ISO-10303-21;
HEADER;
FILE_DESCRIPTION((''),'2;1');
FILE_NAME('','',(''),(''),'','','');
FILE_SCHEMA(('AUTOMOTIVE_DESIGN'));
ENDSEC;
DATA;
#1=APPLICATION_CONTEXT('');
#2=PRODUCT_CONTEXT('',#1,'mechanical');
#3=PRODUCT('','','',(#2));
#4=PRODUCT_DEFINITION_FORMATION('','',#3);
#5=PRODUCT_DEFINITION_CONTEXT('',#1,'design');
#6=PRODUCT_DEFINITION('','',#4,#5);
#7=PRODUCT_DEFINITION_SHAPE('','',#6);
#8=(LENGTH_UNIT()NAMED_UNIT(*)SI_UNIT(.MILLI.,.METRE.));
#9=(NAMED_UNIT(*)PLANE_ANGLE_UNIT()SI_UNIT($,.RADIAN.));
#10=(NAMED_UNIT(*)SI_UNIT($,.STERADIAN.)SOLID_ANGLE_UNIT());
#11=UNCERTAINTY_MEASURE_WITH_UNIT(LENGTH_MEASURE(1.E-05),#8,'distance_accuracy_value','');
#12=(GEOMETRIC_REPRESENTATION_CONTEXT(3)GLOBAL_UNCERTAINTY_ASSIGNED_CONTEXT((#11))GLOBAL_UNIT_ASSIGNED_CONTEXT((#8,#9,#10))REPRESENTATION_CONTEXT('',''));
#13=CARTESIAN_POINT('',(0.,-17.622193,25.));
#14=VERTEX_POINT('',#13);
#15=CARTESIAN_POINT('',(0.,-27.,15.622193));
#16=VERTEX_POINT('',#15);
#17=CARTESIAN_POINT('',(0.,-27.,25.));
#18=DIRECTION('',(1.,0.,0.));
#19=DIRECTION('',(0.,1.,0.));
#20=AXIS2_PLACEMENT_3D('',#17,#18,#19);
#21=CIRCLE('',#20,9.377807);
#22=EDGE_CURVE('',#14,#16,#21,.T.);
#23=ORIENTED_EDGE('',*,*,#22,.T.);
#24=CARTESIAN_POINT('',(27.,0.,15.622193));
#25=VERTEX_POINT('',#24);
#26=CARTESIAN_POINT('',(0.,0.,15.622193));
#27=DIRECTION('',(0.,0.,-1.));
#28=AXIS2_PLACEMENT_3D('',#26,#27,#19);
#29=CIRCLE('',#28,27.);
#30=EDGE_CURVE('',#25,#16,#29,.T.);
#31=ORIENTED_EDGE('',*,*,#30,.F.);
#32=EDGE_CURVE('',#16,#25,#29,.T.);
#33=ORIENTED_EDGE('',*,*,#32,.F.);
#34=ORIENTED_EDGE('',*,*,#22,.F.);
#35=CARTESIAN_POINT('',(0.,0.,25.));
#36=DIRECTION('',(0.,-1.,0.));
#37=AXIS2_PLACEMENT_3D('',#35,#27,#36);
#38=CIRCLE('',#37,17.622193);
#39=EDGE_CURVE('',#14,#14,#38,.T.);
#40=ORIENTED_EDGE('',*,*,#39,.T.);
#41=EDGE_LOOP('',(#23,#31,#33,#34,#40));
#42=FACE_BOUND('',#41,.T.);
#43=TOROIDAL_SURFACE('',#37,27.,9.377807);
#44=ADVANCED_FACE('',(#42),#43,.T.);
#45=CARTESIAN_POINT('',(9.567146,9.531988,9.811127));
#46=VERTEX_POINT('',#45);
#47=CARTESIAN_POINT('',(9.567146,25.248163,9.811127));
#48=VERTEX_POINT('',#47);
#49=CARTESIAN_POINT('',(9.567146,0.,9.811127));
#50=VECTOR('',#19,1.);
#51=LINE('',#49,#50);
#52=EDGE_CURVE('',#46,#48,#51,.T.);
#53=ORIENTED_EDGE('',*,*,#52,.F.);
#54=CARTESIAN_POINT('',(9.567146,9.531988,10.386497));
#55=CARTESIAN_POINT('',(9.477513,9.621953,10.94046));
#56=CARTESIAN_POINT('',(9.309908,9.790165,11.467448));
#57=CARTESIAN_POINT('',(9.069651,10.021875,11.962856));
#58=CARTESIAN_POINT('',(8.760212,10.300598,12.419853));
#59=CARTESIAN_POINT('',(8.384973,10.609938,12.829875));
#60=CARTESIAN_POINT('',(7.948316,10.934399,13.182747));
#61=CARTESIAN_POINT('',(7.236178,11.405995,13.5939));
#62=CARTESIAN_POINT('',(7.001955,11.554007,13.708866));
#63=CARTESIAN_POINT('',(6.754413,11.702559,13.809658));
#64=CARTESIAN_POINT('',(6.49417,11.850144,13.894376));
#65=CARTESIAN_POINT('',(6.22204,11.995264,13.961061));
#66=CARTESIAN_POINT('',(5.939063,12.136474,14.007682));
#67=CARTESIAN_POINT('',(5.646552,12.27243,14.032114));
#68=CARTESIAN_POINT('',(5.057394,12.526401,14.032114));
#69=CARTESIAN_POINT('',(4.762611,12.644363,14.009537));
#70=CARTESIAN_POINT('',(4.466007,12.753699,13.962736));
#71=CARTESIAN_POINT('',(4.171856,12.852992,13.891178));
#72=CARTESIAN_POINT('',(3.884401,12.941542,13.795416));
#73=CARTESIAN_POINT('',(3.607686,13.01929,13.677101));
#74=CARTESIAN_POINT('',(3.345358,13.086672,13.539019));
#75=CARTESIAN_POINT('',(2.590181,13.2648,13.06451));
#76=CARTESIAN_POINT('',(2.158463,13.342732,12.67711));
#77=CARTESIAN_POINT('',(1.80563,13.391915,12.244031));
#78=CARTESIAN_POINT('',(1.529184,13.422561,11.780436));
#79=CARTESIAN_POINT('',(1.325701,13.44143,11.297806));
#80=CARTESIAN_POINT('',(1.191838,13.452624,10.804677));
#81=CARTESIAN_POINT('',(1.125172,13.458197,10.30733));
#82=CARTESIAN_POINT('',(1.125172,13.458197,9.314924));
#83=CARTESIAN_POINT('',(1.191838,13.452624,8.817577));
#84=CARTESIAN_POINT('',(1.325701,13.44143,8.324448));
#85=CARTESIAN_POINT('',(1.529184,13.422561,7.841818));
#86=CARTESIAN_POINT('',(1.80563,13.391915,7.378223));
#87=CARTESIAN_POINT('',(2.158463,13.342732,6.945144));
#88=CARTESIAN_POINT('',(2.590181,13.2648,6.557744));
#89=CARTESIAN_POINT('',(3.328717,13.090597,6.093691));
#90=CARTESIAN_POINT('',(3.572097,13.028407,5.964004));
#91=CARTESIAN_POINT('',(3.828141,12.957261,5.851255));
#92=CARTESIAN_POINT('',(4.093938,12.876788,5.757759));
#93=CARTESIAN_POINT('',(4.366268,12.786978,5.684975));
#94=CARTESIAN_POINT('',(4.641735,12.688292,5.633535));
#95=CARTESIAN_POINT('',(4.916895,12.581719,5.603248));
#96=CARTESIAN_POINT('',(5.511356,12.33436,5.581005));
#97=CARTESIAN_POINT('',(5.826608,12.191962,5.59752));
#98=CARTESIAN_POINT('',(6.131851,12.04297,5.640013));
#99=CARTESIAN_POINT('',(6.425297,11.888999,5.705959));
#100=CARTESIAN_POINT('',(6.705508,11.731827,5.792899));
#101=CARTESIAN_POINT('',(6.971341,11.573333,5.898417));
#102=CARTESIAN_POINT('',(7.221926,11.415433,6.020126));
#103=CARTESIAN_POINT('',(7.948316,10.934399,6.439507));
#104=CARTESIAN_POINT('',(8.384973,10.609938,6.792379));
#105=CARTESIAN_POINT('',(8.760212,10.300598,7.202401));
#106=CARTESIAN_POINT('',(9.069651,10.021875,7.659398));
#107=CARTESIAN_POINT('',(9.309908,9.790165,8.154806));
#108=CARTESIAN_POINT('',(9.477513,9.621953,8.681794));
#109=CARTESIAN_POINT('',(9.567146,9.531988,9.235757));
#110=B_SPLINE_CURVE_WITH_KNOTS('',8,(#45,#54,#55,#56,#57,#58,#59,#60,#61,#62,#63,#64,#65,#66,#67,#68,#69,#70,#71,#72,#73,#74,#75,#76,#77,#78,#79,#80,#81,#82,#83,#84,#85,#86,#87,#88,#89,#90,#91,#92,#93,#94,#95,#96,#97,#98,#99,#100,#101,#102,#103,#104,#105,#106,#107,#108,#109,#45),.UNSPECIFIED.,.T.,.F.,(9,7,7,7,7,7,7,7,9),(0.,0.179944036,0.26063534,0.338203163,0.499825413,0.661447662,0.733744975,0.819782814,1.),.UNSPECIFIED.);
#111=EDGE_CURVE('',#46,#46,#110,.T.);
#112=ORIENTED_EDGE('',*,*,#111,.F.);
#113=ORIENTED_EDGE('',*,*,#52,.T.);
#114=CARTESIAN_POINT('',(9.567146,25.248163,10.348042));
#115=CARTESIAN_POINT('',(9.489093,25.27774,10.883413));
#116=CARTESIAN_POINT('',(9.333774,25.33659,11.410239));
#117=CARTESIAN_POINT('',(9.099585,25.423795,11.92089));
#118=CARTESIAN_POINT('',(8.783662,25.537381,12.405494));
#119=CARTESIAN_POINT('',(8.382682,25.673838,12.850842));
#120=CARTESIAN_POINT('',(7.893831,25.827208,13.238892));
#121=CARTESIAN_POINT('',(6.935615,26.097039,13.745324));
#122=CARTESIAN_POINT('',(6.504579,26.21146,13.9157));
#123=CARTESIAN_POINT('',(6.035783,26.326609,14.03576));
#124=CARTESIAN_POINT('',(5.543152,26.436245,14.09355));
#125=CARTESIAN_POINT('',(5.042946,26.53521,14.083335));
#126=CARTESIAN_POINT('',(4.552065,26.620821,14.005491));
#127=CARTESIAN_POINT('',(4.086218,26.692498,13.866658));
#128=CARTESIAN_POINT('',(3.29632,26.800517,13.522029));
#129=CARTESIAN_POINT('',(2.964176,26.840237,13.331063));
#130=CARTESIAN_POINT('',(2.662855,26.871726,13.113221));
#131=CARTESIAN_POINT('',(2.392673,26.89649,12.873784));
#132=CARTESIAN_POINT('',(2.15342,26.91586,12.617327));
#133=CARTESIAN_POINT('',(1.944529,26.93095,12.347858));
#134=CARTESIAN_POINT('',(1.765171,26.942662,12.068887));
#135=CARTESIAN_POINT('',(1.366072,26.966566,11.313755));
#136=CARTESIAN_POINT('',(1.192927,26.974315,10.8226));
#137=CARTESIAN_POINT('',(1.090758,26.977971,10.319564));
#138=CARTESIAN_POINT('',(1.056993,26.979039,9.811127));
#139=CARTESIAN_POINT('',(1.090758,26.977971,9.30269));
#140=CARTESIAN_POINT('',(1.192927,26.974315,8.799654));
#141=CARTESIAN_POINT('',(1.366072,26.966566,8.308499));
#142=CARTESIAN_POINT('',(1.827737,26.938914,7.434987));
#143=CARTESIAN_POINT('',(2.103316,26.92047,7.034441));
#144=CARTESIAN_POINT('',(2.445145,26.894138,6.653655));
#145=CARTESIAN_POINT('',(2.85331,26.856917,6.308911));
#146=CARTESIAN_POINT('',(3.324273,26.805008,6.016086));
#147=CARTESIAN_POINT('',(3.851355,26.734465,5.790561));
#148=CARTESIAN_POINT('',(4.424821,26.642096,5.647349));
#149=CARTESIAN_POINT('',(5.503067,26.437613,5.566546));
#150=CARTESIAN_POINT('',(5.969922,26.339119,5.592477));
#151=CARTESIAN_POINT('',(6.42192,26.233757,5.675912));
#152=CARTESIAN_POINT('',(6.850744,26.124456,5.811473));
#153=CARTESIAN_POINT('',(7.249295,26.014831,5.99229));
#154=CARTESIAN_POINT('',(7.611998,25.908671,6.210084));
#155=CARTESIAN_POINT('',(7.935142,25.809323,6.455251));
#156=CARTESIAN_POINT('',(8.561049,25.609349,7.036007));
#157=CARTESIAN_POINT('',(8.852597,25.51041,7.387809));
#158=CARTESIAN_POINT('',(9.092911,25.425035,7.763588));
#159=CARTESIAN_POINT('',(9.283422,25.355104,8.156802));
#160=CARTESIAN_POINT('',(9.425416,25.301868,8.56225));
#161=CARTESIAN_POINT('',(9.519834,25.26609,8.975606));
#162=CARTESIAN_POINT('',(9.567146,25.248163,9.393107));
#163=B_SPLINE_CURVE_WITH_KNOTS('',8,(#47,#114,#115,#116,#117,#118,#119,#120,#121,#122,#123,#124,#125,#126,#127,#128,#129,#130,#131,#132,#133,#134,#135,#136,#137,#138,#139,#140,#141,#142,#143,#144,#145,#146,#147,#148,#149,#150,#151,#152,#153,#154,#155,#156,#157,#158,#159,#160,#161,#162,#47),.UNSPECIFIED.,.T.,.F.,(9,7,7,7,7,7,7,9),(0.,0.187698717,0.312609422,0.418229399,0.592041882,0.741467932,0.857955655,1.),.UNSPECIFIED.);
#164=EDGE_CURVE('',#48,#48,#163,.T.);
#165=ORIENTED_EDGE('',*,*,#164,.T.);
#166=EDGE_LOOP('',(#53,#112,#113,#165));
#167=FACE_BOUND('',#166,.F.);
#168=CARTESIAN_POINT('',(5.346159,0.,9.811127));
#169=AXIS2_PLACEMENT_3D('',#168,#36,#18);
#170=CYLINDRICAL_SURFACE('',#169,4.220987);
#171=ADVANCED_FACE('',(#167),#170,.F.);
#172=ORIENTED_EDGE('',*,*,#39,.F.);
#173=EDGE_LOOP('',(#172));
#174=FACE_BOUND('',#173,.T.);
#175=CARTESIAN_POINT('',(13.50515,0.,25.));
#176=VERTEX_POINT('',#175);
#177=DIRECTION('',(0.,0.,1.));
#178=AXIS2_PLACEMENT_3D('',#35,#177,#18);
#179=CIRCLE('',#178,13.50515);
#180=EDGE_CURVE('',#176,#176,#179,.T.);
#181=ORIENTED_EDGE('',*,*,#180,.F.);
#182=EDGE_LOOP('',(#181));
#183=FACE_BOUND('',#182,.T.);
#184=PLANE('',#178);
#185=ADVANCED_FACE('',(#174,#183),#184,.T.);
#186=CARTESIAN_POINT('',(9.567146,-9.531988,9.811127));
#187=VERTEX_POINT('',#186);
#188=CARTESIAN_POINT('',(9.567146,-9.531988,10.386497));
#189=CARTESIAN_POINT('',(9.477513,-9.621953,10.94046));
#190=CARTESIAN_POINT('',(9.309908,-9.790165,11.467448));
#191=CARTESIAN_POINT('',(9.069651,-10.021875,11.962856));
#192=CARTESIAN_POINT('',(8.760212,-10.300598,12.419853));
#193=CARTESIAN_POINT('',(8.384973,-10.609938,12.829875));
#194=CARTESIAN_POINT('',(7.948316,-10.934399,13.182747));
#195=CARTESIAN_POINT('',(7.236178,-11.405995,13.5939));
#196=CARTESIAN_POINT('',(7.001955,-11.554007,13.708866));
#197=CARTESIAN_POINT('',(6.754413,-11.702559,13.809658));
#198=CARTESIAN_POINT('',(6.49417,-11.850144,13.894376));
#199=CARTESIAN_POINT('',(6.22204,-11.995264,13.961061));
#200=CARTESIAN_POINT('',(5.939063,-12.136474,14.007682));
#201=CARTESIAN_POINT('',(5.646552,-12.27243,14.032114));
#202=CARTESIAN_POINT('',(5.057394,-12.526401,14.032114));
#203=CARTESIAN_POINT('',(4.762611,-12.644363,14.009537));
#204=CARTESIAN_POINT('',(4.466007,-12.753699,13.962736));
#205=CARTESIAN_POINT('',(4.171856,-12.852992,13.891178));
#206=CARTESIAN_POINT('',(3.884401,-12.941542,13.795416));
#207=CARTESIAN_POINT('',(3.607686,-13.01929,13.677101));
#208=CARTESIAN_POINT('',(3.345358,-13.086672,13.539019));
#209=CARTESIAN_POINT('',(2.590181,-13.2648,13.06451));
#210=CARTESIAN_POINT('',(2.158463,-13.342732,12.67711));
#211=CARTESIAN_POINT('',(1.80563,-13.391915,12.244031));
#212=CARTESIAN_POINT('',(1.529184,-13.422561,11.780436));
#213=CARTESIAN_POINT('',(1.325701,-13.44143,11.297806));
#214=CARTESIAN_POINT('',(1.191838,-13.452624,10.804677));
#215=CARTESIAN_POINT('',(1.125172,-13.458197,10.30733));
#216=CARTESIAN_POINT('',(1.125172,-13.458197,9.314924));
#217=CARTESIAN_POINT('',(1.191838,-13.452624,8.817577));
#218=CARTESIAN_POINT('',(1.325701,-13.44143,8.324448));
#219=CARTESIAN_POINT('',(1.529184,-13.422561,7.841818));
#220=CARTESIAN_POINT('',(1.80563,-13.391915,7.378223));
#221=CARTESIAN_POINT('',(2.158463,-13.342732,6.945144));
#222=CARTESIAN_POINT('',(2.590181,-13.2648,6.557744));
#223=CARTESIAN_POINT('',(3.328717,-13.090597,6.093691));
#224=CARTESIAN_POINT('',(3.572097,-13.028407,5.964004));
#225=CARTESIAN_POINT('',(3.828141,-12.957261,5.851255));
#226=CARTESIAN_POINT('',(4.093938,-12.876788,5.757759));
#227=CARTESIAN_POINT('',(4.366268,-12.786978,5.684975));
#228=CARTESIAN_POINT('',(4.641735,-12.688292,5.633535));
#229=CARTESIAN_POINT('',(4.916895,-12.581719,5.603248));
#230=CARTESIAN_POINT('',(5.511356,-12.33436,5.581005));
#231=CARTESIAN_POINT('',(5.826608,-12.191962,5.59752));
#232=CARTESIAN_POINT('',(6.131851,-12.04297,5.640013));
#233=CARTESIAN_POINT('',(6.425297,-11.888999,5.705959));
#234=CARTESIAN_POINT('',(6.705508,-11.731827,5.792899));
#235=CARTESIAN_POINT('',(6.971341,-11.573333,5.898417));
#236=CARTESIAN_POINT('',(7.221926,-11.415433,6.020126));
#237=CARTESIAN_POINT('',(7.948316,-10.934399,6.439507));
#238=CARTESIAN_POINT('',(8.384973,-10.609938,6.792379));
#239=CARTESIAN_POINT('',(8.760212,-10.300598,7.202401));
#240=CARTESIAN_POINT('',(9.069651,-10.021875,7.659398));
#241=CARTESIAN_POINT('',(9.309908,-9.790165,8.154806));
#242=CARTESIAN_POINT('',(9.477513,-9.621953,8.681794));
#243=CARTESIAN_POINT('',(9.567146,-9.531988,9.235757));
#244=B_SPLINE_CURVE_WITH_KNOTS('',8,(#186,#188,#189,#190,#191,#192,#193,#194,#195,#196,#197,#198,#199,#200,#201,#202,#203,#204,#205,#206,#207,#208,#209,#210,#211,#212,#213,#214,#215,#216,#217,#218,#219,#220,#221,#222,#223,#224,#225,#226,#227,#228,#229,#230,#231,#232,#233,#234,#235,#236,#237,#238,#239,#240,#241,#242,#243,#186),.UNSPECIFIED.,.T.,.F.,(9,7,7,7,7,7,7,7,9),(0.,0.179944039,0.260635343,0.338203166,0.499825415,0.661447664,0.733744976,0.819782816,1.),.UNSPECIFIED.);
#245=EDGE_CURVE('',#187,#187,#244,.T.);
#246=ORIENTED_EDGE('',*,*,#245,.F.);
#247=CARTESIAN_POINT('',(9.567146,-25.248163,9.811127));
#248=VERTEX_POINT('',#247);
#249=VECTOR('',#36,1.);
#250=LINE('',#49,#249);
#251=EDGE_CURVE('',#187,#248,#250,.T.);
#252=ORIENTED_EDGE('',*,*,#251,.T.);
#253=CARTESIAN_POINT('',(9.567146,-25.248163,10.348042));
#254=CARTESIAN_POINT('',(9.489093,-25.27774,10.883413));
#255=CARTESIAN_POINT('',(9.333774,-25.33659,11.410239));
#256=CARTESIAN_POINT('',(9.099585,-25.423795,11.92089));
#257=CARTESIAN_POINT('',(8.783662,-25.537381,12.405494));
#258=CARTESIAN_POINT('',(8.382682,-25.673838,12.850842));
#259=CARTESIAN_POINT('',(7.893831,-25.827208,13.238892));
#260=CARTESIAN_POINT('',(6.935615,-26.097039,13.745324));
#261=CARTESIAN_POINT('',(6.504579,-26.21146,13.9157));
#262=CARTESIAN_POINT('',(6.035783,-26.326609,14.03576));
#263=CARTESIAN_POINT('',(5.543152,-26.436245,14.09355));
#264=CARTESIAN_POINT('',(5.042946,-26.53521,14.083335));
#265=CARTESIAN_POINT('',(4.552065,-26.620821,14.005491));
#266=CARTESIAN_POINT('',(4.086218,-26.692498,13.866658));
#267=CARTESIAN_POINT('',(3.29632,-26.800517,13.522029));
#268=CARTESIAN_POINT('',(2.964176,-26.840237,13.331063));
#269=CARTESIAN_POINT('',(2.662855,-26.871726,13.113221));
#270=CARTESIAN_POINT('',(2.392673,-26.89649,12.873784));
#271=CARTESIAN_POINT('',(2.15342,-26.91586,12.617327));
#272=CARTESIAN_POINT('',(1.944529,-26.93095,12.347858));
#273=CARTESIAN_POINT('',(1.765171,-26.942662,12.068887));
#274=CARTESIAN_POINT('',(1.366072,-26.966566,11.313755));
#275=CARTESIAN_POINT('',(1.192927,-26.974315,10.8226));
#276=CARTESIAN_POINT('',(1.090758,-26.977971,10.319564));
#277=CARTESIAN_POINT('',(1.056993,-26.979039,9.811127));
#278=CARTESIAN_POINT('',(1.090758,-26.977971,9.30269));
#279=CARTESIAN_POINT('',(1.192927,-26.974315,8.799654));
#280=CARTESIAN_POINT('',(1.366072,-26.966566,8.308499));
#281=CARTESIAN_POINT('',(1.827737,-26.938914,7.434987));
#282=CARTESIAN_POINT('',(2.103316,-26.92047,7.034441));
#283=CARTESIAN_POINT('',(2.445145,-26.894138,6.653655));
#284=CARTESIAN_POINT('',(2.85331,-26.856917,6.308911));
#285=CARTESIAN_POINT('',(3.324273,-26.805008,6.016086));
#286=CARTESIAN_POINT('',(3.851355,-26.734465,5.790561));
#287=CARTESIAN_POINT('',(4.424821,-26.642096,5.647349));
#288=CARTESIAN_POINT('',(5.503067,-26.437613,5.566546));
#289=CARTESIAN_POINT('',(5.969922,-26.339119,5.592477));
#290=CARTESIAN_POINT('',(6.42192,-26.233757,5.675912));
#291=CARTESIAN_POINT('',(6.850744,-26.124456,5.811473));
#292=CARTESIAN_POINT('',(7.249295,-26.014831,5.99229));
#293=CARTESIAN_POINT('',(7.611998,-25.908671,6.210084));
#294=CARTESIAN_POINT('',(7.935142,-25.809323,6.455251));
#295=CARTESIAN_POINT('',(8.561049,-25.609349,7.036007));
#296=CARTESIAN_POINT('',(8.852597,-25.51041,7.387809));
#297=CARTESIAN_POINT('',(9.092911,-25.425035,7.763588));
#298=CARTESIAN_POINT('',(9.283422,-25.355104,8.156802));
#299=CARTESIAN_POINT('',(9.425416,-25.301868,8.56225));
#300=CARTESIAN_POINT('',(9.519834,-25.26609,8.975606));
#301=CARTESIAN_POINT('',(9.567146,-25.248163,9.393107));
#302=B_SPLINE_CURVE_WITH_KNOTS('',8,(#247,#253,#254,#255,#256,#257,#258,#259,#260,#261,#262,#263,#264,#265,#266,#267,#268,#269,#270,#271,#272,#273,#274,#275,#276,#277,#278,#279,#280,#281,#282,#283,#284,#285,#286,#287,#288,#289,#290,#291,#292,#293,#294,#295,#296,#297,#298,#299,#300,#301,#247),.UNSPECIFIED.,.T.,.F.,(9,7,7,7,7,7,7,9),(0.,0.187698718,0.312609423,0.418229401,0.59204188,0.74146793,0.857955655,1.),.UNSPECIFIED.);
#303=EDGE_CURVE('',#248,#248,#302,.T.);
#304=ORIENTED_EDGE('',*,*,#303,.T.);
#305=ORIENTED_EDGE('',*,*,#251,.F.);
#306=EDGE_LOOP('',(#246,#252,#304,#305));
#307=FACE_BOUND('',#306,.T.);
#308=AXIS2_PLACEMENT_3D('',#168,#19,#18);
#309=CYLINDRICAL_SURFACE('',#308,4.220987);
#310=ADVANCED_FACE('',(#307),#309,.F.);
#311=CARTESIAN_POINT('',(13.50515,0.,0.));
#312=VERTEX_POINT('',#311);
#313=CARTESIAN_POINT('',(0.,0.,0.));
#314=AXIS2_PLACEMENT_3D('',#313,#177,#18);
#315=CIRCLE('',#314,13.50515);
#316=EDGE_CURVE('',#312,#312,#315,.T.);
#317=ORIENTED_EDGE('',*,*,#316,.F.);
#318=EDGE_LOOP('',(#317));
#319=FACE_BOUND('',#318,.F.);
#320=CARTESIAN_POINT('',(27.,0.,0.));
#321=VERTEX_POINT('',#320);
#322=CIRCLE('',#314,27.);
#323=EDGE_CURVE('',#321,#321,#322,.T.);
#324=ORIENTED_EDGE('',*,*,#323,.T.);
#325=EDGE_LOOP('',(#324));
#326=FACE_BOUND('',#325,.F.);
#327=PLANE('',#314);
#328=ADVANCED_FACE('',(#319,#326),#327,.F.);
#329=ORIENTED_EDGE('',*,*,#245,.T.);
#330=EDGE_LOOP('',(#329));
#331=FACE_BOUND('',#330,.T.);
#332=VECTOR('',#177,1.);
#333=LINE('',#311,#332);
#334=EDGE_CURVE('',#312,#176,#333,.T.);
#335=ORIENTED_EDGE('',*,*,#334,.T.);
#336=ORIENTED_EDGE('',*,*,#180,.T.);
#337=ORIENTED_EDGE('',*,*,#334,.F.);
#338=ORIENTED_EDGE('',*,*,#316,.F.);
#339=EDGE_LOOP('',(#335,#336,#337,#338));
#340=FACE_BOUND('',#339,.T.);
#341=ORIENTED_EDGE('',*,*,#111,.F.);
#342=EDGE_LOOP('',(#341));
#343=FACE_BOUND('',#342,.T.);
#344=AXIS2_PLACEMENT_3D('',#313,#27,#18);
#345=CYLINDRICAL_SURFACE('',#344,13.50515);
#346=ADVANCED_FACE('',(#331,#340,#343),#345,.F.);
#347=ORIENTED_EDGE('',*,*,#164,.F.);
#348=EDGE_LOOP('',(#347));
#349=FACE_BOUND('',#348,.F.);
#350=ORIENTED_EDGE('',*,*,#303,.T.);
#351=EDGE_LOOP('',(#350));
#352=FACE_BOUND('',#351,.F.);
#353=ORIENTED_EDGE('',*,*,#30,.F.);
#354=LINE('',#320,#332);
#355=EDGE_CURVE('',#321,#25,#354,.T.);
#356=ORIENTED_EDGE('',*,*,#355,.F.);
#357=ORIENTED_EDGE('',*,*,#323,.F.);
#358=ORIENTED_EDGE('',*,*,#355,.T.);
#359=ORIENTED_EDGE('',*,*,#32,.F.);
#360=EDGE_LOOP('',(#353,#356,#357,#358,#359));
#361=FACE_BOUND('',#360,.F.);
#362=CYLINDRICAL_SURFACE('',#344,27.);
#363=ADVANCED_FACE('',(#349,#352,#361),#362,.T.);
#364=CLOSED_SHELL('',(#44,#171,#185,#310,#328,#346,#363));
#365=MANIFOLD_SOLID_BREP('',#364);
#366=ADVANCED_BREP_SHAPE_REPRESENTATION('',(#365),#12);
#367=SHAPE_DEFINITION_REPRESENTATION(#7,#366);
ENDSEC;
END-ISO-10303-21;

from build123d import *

# Parameters (mm, degrees)
F0_R          = 27
F0_R_2        = 13.50515
F1_DEPTH      = 25
F2_R          = 9.377807
F4_R          = 4.220987
F5_DEPTH      = 30
F5_DEPTH_BACK = 30


with BuildPart() as f1:
    # F0 (on Top) → F1 (new body)
    with BuildSketch(Plane.XY):
        Circle(F0_R)
        Circle(F0_R_2, mode=Mode.SUBTRACT)
    extrude(amount=F1_DEPTH)

    # F2 (on Right) → F3 (revolve)
    with BuildSketch(Plane.YZ):
        with Locations((-27, 25)):
            Circle(F2_R)
    revolve(axis=Axis((0, 0, 0), (0, 0, -1)))

    # F4 (on Front) → F5 (cut, two sides)
    with BuildSketch(Plane.XZ) as f5_sk:
        with Locations((5.346159, 9.811127)):
            Circle(F4_R)
    extrude(amount=F5_DEPTH, mode=Mode.SUBTRACT)
    extrude(f5_sk.sketch, amount=-F5_DEPTH_BACK, mode=Mode.SUBTRACT)


solid = f1.part
